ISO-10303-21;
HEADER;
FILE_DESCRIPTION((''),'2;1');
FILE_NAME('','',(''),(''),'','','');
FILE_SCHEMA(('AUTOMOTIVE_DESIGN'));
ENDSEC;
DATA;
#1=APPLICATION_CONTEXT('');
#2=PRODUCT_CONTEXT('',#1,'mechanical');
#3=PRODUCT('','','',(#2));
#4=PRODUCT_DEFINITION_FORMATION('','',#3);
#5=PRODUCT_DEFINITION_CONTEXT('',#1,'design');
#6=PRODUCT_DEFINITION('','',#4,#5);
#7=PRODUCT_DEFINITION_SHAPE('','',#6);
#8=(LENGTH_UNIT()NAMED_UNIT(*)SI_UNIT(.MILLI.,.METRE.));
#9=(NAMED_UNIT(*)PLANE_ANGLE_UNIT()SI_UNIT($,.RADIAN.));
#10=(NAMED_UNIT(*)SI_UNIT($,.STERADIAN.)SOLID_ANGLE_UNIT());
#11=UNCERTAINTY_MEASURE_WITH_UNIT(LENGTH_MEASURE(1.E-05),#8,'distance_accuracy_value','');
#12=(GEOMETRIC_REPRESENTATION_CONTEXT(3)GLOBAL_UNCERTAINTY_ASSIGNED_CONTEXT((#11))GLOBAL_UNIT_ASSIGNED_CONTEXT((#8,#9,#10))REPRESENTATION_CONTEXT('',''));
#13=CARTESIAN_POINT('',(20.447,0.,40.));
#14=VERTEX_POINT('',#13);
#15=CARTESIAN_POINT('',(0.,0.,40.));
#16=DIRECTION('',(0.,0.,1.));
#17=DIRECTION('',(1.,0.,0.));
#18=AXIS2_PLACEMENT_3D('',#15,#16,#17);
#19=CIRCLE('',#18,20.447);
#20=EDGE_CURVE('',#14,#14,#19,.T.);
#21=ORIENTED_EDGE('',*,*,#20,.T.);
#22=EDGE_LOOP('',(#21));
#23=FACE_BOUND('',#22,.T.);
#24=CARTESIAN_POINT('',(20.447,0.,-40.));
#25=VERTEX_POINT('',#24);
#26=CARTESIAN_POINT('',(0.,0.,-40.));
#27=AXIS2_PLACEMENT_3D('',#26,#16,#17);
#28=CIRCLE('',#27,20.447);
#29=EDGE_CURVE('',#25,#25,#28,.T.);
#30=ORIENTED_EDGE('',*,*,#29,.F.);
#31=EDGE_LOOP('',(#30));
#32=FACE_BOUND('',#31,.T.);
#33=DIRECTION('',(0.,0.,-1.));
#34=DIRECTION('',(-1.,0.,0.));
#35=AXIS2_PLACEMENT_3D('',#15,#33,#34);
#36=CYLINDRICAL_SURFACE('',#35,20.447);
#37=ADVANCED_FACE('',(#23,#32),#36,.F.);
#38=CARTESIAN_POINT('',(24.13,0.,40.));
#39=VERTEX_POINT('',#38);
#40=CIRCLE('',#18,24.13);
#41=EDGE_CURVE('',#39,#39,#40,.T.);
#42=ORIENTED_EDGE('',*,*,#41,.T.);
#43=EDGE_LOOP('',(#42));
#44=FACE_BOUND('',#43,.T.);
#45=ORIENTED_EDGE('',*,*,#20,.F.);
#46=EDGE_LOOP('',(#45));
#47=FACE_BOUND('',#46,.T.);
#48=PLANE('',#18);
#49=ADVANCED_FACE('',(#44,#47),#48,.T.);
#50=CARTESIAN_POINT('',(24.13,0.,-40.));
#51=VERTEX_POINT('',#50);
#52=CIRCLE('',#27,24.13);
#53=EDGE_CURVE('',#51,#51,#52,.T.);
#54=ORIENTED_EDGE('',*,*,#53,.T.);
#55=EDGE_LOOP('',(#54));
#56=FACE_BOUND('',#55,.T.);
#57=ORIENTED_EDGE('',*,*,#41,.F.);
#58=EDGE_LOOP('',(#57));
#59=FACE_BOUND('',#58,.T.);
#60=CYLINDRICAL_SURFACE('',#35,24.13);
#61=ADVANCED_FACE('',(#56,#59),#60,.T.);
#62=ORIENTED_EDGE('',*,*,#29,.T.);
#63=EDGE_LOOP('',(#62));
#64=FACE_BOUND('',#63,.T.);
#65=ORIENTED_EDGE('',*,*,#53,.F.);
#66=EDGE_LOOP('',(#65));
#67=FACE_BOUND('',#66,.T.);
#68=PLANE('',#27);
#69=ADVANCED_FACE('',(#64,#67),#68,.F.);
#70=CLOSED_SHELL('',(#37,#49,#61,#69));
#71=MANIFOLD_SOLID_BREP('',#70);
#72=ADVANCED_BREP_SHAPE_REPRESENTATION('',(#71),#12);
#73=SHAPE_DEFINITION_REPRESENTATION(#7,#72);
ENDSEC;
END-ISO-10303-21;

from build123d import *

# Parameters (mm, degrees)
SKETCH1_R           = 24.13
SKETCH1_R_2         = 20.447
EXTRUDE_THIN1_DEPTH = 40


with BuildPart() as part:
    # Sketch1 → Extrude-Thin1 (new body, symmetric)
    with BuildSketch(Plane.XY):
        Circle(SKETCH1_R)
        Circle(SKETCH1_R_2, mode=Mode.SUBTRACT)
    extrude(amount=EXTRUDE_THIN1_DEPTH, both=True)


solid = part.part
